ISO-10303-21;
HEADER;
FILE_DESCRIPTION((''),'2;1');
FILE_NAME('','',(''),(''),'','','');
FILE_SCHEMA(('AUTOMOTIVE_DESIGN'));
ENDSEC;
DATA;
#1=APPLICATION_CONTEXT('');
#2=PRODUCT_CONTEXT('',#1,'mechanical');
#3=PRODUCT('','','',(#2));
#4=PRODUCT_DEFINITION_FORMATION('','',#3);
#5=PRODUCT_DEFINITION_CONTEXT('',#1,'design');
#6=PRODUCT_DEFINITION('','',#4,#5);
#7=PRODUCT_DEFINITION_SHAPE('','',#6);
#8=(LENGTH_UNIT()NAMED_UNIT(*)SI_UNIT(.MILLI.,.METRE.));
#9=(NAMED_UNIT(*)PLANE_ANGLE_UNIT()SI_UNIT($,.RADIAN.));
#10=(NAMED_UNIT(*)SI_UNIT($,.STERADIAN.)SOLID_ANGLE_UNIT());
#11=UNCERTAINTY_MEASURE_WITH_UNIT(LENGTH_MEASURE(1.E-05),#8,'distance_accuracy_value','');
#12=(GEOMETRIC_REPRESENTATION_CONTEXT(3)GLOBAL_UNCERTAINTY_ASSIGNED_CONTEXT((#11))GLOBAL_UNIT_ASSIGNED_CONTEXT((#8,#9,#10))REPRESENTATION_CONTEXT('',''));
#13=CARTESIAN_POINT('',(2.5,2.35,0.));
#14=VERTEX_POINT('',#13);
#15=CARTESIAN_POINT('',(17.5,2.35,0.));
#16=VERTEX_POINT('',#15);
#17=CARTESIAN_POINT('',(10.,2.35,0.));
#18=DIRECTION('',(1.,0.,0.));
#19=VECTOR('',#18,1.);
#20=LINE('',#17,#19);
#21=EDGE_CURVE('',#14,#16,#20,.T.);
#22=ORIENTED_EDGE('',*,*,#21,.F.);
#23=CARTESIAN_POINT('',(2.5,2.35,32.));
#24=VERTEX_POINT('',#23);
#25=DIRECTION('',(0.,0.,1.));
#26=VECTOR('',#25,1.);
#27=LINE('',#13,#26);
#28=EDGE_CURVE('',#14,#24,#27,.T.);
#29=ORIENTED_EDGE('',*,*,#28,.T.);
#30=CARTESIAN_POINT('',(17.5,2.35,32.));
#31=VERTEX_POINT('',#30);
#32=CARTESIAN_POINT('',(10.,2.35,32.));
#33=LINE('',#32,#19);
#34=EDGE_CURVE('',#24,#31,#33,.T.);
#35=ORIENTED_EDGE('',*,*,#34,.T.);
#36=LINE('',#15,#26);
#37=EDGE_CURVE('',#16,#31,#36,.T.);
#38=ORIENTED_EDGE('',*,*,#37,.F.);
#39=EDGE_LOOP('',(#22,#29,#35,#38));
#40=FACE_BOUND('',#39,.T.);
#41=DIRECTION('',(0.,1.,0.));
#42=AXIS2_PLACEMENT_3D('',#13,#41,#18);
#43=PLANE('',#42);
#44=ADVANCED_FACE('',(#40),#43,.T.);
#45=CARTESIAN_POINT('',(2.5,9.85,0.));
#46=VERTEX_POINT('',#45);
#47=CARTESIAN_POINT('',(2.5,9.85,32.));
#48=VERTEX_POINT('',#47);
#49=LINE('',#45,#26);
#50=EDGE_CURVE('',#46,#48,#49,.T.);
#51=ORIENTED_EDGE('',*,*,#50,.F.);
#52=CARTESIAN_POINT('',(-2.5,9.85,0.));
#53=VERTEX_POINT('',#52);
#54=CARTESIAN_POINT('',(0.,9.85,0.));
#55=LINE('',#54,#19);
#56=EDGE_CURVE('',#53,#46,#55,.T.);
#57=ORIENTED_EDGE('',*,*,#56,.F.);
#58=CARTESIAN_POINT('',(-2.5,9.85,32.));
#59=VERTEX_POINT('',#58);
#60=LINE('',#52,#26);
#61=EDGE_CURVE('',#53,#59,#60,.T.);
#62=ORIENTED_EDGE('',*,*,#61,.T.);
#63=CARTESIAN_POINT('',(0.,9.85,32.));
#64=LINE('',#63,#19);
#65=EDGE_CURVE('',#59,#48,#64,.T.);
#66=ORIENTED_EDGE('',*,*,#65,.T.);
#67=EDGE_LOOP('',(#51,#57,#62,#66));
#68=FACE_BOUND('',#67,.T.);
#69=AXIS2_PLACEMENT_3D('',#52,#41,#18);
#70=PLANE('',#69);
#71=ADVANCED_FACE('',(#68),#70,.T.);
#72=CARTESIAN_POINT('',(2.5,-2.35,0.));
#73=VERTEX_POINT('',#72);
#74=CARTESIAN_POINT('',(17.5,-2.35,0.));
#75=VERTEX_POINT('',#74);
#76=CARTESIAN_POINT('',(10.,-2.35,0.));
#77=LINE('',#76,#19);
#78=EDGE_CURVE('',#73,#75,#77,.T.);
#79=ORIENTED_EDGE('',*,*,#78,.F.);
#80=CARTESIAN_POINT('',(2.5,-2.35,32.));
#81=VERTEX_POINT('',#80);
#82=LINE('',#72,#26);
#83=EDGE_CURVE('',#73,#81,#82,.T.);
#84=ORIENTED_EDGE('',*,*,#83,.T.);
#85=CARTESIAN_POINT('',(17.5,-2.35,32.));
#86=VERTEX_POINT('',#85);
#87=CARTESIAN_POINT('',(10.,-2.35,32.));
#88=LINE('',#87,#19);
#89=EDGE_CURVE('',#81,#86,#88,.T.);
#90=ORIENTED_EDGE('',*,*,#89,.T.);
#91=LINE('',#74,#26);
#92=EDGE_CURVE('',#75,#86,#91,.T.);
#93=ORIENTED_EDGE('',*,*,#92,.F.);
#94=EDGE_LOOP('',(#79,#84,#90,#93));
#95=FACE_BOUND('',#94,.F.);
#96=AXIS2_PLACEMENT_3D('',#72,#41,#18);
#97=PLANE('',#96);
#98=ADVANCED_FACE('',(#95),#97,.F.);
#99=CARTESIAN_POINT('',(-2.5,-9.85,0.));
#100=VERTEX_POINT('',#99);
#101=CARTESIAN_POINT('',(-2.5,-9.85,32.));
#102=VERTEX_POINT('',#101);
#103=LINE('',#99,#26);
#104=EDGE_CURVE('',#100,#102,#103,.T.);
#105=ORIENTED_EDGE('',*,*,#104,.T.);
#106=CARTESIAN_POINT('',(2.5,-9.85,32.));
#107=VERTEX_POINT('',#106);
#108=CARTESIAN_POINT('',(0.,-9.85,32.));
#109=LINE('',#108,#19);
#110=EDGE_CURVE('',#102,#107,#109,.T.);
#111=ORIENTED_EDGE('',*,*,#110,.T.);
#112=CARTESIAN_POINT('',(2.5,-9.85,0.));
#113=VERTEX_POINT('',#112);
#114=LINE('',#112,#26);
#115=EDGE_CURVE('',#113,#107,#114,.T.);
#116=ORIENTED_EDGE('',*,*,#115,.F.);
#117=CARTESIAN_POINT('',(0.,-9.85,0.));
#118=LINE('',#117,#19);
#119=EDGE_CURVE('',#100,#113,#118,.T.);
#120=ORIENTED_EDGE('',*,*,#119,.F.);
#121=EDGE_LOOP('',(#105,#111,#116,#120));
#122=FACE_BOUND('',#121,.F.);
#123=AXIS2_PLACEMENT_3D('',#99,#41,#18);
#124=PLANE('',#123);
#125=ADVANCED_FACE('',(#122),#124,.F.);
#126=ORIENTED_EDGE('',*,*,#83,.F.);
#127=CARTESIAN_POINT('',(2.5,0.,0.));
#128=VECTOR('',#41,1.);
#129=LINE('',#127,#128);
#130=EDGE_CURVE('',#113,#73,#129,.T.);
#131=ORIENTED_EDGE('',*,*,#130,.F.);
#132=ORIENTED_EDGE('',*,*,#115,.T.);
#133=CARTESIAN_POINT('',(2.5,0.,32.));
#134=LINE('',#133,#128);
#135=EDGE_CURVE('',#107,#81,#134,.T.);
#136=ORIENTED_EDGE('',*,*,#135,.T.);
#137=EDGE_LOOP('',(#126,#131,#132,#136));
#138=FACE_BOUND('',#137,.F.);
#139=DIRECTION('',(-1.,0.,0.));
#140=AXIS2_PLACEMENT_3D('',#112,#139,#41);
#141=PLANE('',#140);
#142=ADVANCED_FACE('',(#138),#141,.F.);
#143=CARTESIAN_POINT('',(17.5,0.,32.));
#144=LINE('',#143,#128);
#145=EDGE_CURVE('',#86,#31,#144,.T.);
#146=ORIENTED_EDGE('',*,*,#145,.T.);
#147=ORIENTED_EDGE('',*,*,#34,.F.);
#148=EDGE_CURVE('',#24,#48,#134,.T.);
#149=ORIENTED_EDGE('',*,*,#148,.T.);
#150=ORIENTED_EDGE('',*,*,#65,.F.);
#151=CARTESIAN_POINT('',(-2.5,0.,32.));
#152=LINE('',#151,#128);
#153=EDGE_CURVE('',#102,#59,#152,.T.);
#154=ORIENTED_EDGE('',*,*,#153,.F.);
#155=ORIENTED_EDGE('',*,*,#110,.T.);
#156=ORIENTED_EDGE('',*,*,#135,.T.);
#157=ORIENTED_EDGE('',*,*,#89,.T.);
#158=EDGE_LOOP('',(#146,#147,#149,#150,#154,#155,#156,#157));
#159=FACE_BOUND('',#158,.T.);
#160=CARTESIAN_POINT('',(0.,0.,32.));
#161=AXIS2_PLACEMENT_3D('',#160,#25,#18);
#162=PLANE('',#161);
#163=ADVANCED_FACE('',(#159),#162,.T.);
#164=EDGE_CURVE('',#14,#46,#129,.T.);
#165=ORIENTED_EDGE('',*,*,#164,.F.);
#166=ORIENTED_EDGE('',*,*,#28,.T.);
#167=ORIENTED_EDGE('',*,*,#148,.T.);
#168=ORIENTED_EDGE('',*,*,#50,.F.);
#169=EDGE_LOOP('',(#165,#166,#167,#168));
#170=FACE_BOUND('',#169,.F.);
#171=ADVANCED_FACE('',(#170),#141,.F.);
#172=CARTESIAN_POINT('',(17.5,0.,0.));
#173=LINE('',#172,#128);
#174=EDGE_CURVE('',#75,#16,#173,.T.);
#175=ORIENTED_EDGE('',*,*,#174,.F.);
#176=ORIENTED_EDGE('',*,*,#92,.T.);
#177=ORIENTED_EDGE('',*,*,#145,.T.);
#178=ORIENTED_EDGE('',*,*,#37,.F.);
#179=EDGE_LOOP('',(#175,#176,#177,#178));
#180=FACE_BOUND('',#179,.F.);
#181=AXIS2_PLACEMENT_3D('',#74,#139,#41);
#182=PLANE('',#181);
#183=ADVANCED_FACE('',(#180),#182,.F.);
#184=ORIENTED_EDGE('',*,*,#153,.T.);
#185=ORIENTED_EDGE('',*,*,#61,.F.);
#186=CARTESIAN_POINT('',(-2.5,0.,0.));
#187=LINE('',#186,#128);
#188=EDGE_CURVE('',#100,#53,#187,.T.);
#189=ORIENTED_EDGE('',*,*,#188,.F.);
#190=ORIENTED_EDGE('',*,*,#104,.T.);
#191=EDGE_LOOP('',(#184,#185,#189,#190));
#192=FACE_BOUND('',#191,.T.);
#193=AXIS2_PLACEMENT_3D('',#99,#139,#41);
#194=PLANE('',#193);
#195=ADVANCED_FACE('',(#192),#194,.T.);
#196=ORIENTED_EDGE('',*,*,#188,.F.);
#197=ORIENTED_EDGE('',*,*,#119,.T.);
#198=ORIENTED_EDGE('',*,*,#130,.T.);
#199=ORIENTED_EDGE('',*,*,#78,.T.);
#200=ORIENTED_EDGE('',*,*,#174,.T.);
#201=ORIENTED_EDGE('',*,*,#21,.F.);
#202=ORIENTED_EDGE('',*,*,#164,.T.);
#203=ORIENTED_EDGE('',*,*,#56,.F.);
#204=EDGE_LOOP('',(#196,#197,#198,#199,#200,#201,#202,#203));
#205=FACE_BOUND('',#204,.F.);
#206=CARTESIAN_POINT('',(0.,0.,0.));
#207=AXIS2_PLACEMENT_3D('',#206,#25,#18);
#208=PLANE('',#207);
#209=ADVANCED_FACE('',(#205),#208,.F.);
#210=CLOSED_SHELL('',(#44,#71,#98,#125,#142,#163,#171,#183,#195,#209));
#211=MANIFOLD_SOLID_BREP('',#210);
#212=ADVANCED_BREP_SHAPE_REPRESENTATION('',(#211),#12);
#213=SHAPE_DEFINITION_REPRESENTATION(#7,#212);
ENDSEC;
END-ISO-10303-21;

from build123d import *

# Parameters (mm, degrees)
SKETCH005_W  = 5
SKETCH005_H  = 19.7
PAD003_DEPTH = 32
SKETCH_W     = 15
SKETCH_H     = 4.7
PAD_DEPTH    = 32


with BuildPart() as part:
    # Sketch005 → Pad003 (new body)
    with BuildSketch(Plane.XY):
        Rectangle(SKETCH005_W, SKETCH005_H)
    extrude(amount=PAD003_DEPTH)

    # Sketch → Pad (join)
    with BuildSketch(Plane.XY):
        with Locations((10, 0)):
            Rectangle(SKETCH_W, SKETCH_H)
    extrude(amount=PAD_DEPTH)


solid = part.part
